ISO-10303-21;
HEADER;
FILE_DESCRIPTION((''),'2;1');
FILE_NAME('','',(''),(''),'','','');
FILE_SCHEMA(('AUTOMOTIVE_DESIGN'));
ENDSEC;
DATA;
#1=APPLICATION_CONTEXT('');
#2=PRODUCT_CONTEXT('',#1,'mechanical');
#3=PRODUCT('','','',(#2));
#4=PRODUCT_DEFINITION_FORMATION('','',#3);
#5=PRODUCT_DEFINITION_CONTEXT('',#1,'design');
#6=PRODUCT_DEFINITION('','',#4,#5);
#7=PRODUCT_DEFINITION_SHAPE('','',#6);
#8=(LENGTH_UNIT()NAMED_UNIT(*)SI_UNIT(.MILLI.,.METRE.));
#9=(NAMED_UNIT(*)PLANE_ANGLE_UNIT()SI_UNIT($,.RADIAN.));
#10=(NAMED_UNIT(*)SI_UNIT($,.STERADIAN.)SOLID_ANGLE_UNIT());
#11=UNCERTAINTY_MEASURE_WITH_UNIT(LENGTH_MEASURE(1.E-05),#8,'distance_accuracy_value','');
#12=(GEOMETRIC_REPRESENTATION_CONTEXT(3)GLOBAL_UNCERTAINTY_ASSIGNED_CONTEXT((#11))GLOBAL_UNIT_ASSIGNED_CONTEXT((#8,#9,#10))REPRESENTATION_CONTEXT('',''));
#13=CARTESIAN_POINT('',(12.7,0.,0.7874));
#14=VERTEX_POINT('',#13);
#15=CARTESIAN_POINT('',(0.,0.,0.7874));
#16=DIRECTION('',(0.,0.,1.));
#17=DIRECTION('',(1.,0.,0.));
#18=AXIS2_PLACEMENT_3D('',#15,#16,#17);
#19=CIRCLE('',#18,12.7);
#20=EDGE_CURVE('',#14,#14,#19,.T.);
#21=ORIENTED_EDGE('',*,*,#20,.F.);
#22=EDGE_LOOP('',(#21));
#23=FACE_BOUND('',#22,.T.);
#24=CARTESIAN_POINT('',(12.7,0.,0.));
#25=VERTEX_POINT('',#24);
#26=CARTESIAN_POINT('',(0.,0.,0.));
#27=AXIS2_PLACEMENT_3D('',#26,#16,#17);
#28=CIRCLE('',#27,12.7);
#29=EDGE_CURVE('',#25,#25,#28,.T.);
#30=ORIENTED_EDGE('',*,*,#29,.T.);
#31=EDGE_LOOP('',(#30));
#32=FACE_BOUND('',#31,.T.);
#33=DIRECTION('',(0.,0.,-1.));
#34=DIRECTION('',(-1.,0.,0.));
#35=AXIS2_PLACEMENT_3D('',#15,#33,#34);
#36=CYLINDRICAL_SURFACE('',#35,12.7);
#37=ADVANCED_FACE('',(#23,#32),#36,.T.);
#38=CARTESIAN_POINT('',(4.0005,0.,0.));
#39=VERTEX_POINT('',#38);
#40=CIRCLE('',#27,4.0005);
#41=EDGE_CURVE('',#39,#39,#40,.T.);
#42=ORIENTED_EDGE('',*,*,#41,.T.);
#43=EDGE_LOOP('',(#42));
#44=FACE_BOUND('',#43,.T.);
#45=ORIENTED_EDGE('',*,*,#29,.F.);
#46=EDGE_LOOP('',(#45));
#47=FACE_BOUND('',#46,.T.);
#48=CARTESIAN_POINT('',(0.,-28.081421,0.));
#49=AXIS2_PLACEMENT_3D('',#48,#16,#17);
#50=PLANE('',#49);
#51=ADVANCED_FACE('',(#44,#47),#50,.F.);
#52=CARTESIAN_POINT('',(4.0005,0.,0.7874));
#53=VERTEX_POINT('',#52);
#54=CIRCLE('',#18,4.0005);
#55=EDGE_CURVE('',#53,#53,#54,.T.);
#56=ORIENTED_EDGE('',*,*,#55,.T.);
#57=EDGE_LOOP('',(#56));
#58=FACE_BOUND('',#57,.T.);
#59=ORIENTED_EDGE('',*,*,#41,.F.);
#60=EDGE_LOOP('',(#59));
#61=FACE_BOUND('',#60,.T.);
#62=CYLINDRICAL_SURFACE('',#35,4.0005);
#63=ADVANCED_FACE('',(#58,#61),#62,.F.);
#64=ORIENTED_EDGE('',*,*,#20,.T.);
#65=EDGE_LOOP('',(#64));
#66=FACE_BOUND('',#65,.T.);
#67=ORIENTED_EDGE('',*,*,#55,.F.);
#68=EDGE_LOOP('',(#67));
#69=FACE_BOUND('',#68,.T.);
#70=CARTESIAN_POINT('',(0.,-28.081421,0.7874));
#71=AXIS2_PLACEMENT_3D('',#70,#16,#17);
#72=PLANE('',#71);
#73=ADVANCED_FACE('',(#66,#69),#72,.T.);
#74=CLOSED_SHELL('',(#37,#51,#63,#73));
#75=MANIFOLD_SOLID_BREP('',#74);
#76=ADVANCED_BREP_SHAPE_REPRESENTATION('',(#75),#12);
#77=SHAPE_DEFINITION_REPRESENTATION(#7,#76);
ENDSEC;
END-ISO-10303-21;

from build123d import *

# Parameters (mm, degrees)
SKETCH1_R      = 12.7
SKETCH1_R_2    = 4.0005
EXTRUDE1_DEPTH = 0.7874


with BuildPart() as part:
    # Sketch1 → Extrude1 (new body)
    with BuildSketch(Plane.XY):
        Circle(SKETCH1_R)
        Circle(SKETCH1_R_2, mode=Mode.SUBTRACT)
    extrude(amount=EXTRUDE1_DEPTH)


solid = part.part
